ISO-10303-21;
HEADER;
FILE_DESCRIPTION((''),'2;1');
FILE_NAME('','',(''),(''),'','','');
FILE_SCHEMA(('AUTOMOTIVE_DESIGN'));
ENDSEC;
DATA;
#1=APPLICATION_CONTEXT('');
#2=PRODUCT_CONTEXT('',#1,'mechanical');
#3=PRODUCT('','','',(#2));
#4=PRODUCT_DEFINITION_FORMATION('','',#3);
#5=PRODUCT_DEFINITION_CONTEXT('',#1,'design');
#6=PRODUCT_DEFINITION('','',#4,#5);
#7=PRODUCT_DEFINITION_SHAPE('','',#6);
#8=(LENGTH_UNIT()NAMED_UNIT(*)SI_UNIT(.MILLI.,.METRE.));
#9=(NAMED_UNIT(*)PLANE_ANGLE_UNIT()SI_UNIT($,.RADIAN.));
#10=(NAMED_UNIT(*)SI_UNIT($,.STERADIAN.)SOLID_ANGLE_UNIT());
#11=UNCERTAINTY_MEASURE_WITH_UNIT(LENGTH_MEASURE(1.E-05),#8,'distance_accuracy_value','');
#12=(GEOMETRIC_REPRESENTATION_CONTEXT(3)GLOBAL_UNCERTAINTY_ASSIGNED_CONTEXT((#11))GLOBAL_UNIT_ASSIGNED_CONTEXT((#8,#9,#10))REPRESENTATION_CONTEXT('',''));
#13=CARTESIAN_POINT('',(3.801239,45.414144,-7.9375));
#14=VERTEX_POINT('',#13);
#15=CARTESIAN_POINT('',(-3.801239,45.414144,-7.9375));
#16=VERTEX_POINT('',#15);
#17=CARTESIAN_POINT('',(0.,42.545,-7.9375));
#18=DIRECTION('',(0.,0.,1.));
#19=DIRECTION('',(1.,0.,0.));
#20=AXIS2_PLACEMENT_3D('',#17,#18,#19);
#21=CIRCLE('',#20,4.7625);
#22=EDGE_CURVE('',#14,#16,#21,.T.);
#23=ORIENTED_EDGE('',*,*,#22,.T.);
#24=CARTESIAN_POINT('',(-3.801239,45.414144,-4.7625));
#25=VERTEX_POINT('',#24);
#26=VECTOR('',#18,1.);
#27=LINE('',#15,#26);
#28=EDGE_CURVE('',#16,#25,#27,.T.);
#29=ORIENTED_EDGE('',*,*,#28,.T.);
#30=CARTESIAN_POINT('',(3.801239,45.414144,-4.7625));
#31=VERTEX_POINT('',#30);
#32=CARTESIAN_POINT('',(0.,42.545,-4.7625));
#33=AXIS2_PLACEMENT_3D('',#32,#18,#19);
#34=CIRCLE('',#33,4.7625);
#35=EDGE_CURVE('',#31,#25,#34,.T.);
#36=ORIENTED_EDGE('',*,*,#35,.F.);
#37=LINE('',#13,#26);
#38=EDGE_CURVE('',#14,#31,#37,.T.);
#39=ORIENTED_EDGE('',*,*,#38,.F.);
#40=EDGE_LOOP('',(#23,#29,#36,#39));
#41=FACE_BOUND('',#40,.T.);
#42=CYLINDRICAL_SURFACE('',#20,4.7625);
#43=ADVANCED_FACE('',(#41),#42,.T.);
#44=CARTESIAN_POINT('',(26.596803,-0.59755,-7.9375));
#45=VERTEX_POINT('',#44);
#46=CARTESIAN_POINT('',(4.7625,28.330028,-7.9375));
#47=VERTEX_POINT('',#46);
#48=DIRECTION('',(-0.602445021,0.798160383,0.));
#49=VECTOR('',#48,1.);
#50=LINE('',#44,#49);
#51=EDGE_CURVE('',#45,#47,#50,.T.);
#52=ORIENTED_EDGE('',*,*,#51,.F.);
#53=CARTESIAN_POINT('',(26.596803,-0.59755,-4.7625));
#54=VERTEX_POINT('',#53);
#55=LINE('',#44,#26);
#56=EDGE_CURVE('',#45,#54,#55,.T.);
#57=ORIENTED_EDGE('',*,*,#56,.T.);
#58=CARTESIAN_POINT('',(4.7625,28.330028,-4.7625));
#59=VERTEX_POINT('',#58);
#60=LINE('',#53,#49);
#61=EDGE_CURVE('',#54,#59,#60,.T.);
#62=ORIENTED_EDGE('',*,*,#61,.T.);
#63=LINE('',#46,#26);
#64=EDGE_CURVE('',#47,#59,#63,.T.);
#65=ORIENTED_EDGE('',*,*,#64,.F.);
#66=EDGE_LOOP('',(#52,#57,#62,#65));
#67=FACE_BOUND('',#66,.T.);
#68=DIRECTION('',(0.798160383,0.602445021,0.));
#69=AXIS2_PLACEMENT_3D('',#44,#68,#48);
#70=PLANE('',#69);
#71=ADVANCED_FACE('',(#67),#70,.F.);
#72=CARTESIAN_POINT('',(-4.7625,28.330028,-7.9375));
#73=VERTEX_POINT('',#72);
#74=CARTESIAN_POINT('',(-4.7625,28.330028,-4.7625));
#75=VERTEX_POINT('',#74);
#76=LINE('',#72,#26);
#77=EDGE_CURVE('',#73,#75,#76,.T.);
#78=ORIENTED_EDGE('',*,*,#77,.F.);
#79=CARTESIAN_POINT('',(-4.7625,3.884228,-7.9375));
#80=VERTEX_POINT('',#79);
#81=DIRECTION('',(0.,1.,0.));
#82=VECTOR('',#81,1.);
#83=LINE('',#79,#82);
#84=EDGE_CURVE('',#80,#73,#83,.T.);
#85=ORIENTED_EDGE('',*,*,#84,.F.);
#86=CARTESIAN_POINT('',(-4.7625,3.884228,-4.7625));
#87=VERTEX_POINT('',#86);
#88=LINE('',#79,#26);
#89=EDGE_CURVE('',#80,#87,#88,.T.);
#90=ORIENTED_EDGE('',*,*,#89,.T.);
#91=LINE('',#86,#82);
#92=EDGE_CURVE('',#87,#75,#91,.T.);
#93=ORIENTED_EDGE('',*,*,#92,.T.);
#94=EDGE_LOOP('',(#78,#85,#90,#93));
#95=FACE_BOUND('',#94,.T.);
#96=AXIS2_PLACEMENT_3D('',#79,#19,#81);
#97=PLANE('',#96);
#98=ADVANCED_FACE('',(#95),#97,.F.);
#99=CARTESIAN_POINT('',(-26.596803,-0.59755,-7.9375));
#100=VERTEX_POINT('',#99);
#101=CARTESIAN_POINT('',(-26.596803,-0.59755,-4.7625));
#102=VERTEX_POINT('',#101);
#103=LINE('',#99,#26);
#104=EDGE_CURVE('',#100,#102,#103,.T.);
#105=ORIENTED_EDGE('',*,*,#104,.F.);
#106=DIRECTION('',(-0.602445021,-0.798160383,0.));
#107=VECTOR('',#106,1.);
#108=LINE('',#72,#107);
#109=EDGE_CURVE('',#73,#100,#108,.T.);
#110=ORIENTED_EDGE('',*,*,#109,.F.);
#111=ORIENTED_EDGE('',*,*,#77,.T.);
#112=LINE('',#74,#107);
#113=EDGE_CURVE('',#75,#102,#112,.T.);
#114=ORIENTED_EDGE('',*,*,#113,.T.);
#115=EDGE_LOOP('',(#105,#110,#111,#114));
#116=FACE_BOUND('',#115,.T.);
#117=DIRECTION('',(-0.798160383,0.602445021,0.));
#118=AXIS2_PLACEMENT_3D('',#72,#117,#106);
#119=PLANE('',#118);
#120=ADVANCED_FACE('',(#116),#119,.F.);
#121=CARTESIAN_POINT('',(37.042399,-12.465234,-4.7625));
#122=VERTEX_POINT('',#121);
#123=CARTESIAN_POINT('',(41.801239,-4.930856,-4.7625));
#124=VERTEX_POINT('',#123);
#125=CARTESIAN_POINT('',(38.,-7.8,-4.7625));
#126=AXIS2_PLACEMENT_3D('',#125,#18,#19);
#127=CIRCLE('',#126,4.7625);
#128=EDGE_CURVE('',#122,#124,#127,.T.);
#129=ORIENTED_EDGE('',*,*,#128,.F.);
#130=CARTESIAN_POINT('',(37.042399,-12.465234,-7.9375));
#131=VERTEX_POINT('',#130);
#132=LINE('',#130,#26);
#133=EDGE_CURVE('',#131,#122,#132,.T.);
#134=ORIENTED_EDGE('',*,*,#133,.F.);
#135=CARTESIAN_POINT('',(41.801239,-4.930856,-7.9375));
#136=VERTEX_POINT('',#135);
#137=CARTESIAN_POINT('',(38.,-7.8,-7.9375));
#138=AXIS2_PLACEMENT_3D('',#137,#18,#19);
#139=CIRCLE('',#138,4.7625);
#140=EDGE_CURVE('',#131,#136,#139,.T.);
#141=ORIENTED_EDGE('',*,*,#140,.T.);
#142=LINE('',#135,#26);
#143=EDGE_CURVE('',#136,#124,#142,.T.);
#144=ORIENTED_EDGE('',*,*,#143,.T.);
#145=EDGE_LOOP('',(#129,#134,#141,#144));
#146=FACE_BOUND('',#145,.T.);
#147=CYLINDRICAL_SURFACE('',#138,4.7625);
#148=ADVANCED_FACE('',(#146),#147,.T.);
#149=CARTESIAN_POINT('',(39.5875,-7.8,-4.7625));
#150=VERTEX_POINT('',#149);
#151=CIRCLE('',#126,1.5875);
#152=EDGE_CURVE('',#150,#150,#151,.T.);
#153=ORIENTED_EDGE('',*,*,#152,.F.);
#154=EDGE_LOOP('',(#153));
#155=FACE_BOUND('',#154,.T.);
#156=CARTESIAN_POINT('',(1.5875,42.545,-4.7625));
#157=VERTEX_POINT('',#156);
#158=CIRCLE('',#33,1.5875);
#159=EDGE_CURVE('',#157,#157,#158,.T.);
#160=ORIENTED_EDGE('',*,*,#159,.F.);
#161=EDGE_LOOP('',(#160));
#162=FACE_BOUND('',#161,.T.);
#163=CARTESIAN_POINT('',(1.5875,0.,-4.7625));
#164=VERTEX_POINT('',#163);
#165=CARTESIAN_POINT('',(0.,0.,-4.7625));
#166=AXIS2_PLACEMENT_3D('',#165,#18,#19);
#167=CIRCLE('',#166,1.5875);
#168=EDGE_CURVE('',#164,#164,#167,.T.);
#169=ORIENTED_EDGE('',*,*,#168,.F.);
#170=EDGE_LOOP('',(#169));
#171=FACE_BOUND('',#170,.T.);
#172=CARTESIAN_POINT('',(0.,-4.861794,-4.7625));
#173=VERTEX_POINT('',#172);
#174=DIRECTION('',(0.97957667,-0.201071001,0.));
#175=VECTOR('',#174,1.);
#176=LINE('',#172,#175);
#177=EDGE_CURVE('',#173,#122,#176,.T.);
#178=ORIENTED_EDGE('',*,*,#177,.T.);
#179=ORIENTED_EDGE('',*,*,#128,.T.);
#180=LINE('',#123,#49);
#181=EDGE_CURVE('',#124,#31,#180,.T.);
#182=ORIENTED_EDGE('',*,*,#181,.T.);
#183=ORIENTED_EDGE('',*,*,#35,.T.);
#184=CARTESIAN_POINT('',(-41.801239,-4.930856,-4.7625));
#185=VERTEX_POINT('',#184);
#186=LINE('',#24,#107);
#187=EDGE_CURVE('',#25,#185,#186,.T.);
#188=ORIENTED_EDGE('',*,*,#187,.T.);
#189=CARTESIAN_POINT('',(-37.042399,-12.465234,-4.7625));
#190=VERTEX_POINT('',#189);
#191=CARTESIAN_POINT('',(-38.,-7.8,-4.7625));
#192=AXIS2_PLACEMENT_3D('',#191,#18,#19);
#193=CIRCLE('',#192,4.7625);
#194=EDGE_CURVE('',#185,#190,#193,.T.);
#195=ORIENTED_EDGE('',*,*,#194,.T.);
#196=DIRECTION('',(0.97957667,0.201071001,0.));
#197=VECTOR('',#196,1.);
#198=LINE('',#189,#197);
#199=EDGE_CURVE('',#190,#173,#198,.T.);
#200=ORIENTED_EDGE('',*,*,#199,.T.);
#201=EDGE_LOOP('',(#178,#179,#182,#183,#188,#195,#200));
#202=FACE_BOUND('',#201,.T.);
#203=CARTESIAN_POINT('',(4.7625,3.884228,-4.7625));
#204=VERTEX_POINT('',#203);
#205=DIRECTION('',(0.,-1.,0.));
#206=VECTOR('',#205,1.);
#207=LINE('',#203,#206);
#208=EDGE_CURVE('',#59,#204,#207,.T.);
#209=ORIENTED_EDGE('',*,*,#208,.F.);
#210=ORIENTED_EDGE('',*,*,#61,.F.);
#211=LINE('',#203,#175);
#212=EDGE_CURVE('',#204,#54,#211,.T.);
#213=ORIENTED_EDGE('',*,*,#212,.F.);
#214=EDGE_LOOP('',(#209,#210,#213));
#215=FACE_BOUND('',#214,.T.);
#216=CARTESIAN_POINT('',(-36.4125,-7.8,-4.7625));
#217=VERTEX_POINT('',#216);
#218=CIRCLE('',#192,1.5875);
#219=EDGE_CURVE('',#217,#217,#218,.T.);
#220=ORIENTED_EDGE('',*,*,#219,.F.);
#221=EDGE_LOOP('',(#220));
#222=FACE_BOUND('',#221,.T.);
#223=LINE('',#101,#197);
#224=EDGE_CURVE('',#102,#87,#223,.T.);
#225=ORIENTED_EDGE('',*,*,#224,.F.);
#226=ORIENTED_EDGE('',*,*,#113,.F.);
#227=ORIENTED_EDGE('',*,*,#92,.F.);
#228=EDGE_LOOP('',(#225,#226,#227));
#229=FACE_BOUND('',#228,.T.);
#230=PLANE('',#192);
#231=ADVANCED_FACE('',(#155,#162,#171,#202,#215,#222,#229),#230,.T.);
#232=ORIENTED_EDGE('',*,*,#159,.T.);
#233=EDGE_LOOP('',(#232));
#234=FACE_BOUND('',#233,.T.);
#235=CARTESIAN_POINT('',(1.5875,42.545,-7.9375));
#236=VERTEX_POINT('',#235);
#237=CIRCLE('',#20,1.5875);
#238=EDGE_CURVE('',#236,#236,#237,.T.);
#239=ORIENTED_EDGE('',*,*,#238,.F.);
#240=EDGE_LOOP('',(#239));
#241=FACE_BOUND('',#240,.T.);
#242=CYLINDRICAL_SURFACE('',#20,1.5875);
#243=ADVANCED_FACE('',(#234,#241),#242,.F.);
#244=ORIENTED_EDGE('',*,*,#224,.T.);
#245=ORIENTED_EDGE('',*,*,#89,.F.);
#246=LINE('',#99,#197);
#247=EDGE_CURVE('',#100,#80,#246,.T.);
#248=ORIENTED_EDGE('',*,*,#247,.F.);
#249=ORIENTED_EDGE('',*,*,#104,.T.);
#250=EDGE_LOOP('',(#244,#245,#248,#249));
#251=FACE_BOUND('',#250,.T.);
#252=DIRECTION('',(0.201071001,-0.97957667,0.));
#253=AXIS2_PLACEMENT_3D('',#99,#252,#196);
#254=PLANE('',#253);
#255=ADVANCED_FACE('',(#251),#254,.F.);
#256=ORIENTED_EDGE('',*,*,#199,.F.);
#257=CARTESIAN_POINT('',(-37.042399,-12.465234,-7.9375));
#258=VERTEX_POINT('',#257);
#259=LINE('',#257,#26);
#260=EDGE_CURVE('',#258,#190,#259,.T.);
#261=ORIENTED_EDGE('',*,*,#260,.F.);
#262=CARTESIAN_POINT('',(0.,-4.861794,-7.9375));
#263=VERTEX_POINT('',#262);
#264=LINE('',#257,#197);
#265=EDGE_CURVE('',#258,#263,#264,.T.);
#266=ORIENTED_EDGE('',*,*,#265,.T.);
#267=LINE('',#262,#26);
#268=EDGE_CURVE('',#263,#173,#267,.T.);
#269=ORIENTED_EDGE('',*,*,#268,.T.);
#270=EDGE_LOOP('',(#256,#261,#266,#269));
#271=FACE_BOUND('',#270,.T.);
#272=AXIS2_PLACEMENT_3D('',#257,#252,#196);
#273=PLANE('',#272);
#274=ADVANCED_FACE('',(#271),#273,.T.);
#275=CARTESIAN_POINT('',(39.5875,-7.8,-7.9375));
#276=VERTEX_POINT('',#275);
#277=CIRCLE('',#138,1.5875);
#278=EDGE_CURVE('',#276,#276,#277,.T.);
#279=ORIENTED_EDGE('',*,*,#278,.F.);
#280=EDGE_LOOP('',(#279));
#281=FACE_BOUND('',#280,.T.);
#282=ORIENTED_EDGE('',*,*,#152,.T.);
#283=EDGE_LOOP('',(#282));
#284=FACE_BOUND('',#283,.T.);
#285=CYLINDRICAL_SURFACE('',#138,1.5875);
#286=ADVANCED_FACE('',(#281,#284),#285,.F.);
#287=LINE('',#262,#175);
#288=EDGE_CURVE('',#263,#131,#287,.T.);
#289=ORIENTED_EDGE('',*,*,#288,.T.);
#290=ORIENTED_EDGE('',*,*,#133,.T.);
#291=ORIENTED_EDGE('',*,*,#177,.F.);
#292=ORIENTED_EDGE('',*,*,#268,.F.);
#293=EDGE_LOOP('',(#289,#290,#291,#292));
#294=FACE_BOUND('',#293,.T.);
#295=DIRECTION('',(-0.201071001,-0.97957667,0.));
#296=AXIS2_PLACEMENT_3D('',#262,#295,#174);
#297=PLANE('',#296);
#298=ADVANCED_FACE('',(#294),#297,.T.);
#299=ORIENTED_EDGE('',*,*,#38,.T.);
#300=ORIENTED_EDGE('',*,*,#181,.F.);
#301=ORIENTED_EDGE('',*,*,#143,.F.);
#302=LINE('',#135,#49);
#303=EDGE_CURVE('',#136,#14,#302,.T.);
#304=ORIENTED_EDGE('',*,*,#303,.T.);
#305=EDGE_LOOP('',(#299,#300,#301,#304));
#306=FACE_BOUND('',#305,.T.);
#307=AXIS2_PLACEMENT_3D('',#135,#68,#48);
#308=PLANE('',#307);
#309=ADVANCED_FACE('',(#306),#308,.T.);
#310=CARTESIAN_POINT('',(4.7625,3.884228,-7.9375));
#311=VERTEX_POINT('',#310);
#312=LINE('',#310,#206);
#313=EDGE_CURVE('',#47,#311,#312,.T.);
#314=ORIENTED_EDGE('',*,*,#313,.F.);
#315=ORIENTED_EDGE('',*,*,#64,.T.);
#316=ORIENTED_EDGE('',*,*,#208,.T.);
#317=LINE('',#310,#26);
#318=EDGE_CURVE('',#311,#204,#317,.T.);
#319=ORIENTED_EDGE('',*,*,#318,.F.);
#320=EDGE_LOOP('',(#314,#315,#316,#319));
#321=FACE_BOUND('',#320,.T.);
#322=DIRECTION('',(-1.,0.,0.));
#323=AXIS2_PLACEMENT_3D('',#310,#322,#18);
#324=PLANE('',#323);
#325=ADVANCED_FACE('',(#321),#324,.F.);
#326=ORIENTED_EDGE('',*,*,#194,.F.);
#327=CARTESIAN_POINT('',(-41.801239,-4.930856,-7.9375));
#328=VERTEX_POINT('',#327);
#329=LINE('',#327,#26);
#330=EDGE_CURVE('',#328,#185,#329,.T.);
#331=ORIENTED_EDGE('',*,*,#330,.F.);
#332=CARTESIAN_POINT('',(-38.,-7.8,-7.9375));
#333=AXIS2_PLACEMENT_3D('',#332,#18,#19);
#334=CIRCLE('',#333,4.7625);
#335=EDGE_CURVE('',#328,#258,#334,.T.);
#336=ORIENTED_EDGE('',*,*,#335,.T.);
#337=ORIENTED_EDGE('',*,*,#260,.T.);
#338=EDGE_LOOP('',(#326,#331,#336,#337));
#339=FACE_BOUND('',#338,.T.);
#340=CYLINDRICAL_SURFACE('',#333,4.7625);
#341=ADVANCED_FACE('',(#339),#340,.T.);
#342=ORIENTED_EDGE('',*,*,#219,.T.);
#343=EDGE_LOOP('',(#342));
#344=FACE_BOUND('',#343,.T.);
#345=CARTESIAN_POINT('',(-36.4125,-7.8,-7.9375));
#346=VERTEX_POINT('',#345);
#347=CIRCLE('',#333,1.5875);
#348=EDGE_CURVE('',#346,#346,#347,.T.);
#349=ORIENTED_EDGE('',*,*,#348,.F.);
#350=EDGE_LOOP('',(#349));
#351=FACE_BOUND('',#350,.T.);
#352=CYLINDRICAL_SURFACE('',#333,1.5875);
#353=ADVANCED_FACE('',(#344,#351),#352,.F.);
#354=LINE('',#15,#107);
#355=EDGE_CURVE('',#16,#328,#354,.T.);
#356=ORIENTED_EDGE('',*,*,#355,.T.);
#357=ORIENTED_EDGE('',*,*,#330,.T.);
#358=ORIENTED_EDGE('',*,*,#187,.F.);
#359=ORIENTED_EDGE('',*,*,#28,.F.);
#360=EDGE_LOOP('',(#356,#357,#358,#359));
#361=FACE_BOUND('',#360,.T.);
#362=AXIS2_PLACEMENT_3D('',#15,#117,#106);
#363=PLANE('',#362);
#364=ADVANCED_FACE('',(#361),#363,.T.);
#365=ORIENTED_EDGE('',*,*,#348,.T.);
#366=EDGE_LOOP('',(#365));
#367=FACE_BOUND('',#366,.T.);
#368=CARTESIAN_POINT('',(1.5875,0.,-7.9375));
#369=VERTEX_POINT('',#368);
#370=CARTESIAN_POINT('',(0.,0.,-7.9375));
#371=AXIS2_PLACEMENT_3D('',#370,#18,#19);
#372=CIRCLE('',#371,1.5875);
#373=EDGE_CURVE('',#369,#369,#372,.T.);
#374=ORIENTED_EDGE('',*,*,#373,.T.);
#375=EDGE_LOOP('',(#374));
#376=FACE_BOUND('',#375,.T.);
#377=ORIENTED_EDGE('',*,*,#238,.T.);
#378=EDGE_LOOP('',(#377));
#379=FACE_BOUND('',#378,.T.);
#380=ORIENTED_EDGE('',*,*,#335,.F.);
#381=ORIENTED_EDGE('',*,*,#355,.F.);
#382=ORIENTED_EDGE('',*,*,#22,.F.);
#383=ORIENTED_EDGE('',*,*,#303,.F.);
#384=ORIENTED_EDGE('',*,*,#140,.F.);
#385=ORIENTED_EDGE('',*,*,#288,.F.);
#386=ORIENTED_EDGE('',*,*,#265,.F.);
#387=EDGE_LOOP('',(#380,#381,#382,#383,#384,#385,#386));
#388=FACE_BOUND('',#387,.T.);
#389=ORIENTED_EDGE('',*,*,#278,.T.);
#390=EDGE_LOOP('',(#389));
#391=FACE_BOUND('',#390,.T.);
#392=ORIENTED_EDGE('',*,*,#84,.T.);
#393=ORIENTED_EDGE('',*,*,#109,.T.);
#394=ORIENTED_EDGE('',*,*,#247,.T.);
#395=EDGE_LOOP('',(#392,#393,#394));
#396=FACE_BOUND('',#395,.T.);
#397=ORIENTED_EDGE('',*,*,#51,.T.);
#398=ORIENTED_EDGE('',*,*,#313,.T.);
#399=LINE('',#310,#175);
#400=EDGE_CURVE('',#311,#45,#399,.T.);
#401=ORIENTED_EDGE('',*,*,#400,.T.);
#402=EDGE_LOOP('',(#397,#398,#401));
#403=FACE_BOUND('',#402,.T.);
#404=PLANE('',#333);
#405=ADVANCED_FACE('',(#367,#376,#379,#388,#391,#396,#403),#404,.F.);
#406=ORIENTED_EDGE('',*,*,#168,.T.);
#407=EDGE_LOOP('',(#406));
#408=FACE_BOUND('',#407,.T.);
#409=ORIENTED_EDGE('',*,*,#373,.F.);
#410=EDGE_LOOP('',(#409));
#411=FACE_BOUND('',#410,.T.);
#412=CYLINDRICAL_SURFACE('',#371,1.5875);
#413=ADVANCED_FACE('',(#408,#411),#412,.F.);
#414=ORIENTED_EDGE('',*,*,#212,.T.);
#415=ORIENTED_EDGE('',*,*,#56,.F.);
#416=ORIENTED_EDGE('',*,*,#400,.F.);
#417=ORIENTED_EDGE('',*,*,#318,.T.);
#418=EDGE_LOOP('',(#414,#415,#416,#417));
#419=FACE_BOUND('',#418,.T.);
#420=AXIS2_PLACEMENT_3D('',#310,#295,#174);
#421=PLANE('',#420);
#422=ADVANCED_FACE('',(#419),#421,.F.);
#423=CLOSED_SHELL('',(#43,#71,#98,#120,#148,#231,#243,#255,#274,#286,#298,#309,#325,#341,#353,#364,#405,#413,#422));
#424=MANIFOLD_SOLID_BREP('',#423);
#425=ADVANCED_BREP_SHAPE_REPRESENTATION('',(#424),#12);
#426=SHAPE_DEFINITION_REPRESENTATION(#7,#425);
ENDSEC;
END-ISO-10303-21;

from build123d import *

# Parameters (mm, degrees)
BOSS_EXTRUDE2_START = -4.7625
SKETCH1_R           = 1.5875
BOSS_EXTRUDE2_DEPTH = 3.175


with BuildPart() as part:
    # Sketch1 → Boss-Extrude2 (new body)
    with BuildSketch(Plane.XY.offset(BOSS_EXTRUDE2_START)):
        with BuildLine():
            Line((-37.042399359, -12.465233892), (0, -4.861794023))
            Line((0, -4.861794023), (37.042399359, -12.465233892))
            ThreePointArc((37.042399359, -12.465233892), (42.026572193, -10.343250405), (41.801238825, -4.93085559))
            Line((41.801238825, -4.93085559), (3.801238825, 45.41414441))
            ThreePointArc((3.801238825, 45.41414441), (0, 47.3075), (-3.801238825, 45.41414441))
            Line((-3.801238825, 45.41414441), (-41.801238825, -4.93085559))
            ThreePointArc((-41.801238825, -4.93085559), (-42.026572193, -10.343250405), (-37.042399359, -12.465233892))
        make_face()
        with Locations((38, -7.8)):
            Circle(SKETCH1_R, mode=Mode.SUBTRACT)
        Circle(SKETCH1_R, mode=Mode.SUBTRACT)
        with Locations((-38, -7.8)):
            Circle(SKETCH1_R, mode=Mode.SUBTRACT)
        with Locations((0, 42.545)):
            Circle(SKETCH1_R, mode=Mode.SUBTRACT)
        Polygon((-4.7625, 3.884228234), (-4.7625, 28.330028455), (-26.596802701, -0.597549689), align=None, mode=Mode.SUBTRACT)
        Polygon((4.7625, 3.884228234), (4.7625, 28.330028455), (26.596802701, -0.597549689), align=None, mode=Mode.SUBTRACT)
    extrude(amount=-BOSS_EXTRUDE2_DEPTH)


solid = part.part
